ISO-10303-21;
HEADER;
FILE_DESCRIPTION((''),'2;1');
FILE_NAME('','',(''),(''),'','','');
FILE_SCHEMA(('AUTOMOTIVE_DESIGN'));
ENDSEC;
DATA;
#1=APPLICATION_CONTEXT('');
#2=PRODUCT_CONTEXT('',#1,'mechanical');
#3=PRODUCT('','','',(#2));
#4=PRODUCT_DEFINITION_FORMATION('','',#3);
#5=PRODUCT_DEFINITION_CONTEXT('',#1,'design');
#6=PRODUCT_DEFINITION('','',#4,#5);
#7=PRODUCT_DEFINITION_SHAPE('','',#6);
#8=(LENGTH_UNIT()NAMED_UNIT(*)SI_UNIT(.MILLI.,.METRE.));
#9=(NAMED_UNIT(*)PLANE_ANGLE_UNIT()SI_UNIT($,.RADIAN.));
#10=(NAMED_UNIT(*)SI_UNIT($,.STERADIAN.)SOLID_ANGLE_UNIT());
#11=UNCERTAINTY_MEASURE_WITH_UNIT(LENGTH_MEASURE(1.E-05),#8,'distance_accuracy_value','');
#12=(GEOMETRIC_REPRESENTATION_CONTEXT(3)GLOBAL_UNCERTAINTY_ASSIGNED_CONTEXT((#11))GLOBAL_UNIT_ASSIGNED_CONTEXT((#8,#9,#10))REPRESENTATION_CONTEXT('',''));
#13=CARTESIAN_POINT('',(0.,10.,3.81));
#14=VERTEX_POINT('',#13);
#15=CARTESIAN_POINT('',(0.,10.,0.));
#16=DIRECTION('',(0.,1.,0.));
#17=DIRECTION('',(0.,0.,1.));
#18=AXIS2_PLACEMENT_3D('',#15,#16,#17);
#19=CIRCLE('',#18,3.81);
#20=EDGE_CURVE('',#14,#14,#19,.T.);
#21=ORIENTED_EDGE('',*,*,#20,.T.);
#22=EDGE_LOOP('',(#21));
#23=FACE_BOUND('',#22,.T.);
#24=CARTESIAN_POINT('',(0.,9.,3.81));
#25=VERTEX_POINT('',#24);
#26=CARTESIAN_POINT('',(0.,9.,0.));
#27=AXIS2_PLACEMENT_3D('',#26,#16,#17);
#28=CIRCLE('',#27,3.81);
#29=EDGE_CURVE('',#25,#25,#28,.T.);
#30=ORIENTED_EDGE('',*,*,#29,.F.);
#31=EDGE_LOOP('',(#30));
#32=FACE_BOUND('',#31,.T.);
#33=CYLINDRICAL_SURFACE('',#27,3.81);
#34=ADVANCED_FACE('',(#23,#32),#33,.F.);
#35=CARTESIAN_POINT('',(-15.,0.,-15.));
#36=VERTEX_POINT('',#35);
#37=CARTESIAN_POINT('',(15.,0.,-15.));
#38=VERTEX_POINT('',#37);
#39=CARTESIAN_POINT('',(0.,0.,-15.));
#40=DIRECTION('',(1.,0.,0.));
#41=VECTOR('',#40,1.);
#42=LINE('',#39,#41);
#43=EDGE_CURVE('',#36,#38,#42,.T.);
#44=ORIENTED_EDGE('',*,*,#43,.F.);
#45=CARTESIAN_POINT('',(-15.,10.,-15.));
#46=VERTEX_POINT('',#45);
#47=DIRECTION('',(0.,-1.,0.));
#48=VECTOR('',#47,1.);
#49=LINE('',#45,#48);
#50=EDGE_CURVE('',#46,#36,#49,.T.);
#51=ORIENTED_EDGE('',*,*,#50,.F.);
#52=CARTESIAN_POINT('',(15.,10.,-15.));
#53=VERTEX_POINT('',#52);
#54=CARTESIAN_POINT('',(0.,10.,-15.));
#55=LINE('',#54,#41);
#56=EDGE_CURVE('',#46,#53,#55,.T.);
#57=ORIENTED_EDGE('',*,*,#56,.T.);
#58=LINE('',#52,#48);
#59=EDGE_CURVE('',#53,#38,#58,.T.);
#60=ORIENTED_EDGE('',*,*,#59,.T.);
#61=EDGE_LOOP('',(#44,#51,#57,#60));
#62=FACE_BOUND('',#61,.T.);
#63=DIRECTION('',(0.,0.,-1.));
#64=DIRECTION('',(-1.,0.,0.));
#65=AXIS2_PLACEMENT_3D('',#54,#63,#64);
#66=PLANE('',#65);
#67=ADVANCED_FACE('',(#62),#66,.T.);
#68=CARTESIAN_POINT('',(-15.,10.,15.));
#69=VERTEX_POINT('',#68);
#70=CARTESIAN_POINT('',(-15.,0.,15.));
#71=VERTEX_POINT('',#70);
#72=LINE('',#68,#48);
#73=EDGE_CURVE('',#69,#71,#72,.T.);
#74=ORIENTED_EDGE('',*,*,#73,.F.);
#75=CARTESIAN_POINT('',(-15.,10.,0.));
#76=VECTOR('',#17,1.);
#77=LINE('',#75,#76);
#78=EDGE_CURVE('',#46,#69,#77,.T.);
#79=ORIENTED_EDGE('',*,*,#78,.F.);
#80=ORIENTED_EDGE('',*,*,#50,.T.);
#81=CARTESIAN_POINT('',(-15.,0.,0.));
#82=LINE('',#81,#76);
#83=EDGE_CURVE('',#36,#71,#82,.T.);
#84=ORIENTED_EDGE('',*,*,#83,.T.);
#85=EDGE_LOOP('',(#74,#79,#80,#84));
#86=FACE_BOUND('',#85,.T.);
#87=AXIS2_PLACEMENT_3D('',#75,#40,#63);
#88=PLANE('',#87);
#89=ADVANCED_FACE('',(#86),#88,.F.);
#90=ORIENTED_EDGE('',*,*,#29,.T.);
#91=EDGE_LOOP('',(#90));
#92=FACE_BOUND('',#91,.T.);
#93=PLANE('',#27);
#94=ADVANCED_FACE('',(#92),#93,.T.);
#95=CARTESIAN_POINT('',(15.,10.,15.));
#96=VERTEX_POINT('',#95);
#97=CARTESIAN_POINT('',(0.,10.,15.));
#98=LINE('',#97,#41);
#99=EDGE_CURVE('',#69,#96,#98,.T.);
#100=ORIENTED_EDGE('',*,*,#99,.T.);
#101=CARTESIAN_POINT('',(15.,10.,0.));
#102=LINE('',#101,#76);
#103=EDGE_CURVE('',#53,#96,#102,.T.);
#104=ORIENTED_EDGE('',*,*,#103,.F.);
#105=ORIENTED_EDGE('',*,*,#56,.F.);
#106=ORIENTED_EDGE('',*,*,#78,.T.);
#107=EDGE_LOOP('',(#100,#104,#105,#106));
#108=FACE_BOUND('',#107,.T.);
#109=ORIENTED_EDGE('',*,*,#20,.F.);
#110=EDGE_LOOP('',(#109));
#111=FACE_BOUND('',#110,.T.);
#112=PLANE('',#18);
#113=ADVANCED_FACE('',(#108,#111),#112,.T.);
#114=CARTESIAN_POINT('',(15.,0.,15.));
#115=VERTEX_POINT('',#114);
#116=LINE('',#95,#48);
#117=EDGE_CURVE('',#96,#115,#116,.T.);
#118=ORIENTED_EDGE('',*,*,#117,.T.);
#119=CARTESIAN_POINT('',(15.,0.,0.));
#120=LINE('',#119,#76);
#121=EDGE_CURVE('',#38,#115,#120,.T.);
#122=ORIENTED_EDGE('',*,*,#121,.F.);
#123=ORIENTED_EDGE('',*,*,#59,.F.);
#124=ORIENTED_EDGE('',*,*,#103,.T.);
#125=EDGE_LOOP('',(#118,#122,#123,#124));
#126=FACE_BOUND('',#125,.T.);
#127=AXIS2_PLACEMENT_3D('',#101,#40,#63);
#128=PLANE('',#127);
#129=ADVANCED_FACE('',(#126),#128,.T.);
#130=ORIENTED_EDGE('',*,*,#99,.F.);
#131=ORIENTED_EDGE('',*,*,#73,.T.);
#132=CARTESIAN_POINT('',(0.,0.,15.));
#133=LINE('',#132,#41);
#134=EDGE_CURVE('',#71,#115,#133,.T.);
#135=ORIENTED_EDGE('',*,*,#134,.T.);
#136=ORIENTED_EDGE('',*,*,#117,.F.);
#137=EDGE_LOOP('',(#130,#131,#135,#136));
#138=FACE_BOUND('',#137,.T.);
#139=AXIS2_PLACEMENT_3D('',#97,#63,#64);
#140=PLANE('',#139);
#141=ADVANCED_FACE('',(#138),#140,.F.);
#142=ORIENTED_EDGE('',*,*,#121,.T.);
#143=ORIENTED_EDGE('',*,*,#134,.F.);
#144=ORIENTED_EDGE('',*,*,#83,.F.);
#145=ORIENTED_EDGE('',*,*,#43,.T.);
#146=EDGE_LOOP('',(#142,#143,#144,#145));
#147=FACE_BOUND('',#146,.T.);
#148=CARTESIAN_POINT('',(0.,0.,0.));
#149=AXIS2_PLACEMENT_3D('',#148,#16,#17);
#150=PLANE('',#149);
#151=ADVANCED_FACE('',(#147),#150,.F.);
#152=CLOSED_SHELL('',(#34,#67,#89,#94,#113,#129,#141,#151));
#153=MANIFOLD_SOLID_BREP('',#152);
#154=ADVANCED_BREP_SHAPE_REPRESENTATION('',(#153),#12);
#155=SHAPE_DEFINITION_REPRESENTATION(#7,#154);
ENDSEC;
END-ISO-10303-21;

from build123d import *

# Parameters (mm, degrees)
SKETCH1_W           = 30
SKETCH1_H           = 30
BOSS_EXTRUDE1_DEPTH = 10
SKETCH2_R           = 3.81
BORE_DEPTH          = 1


with BuildPart() as part:
    # Sketch1 → Boss-Extrude1 (new body)
    with BuildSketch(Plane(origin=(0, 0, 0), x_dir=(1, 0, 0), z_dir=(0, 1, 0))):
        Rectangle(SKETCH1_W, SKETCH1_H)
    extrude(amount=BOSS_EXTRUDE1_DEPTH)

    # Sketch2 → bore (cut)
    with BuildSketch(Plane(origin=(0, 10, 0), x_dir=(1, 0, 0), z_dir=(0, 1, 0))):
        with Locations(Location((0, 0, 0), (0, 0, 270))):
            Circle(SKETCH2_R)
    extrude(amount=-BORE_DEPTH, mode=Mode.SUBTRACT)


solid = part.part
